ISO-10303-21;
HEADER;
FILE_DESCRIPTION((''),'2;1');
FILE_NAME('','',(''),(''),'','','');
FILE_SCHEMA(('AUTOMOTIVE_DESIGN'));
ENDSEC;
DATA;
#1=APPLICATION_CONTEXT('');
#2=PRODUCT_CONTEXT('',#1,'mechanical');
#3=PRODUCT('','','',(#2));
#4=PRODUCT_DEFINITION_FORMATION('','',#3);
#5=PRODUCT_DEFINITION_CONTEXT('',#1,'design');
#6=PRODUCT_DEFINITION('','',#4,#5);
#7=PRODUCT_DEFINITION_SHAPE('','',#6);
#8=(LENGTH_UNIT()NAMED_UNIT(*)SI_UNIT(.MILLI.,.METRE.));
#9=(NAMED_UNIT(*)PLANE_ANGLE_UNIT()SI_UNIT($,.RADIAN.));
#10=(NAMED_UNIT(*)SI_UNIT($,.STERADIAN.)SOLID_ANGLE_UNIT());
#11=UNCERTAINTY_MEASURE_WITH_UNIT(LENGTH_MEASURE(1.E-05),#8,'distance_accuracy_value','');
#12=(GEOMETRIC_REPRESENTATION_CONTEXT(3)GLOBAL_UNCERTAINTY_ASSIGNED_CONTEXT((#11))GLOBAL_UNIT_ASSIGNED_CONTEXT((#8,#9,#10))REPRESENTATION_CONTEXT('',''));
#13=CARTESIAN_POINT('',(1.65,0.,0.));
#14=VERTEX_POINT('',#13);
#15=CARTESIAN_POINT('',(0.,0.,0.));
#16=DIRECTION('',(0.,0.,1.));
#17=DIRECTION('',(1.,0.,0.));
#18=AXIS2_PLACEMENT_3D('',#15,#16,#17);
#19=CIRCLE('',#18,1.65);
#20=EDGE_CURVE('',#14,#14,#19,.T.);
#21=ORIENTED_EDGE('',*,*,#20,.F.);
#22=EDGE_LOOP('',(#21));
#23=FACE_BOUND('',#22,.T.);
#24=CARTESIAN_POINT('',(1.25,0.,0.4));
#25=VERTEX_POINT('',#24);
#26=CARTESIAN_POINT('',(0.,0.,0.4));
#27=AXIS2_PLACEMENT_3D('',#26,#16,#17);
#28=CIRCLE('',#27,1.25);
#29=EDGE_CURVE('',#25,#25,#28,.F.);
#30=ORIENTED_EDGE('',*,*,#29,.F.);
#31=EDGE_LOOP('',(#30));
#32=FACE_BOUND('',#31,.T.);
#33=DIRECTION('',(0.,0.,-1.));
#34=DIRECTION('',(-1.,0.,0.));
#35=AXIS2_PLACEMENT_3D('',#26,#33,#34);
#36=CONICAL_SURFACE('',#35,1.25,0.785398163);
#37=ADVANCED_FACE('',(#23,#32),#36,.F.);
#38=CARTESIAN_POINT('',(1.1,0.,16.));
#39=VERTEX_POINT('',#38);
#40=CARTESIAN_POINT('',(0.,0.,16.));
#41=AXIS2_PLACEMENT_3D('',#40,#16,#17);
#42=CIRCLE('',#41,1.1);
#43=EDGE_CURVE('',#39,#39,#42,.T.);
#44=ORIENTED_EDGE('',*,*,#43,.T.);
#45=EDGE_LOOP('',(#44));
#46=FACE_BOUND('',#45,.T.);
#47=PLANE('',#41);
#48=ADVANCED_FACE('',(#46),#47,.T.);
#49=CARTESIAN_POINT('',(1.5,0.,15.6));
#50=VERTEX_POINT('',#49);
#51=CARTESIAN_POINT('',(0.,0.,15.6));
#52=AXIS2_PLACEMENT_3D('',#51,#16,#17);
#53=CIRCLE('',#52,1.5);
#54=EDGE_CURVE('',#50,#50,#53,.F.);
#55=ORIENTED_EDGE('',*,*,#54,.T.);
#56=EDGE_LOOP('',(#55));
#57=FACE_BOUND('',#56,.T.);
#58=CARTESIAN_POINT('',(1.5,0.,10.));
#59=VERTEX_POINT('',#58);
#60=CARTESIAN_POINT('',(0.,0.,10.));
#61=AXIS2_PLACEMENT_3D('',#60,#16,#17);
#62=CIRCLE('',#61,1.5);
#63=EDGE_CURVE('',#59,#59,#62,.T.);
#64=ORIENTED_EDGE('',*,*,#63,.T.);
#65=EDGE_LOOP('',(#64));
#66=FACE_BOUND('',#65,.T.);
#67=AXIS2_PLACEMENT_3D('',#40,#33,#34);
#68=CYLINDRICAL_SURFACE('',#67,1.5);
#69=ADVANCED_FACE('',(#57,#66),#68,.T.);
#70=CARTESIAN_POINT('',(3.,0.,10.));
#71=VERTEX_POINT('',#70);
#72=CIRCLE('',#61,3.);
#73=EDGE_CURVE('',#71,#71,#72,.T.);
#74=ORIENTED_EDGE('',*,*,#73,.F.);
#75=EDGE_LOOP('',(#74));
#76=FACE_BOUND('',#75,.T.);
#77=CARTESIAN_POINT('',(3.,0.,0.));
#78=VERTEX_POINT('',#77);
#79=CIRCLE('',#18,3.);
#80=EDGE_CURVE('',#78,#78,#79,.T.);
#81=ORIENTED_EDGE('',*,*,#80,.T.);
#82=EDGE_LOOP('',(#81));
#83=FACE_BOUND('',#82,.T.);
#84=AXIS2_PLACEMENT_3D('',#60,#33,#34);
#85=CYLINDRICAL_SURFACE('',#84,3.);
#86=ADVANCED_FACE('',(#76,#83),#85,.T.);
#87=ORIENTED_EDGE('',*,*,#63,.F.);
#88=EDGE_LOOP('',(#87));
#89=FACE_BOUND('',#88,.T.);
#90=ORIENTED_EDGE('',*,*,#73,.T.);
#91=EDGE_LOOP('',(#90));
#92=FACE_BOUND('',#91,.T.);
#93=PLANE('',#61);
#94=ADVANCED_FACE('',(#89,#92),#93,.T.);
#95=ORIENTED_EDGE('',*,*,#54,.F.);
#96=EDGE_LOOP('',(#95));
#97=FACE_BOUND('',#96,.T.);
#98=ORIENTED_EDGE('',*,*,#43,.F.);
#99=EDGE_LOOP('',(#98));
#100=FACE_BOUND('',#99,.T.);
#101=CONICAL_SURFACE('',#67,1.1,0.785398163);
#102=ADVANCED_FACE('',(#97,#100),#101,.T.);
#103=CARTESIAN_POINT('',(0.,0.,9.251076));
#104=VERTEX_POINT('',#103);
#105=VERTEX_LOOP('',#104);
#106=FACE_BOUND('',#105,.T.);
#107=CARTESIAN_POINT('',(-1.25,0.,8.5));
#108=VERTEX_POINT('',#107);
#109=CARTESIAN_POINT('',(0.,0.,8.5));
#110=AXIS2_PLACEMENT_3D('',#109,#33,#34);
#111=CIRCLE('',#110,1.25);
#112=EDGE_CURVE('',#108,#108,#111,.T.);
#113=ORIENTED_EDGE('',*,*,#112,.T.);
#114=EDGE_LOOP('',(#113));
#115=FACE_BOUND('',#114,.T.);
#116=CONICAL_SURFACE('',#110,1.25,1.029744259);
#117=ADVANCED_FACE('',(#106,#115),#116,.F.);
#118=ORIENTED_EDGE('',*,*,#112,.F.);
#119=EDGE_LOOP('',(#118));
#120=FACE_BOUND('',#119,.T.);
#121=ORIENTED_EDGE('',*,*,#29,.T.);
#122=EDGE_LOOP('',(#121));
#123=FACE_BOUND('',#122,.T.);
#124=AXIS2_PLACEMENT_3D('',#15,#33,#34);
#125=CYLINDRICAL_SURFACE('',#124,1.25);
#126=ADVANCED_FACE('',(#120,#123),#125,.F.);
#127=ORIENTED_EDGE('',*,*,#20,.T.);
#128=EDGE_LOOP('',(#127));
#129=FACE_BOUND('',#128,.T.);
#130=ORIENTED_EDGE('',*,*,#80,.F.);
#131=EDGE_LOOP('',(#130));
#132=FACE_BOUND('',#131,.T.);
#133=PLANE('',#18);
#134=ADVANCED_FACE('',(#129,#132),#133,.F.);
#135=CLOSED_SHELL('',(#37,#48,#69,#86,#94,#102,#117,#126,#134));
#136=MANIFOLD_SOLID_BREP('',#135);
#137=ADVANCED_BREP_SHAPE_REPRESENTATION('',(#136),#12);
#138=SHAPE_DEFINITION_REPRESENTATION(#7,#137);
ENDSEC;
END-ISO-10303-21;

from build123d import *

# Parameters (mm, degrees)
SKETCH_1_R      = 3
EXTRUDE_1_DEPTH = 10
SKETCH_2_R      = 1.5
EXTRUDE_2_DEPTH = 6
M3X0_5_1_D      = 2.5
M3X0_5_1_DEPTH  = 8.5
M3X0_5_1_TIP    = 0.751075774
CHAMFER_1_SIZE  = 0.4


with BuildPart() as part:
    # ｽｹｯﾁ1 → ﾎﾞｽ - 押し出し1 (new body)
    with BuildSketch(Plane(origin=(0, 0, 0), x_dir=(0, 1, 0), z_dir=(0, 0, 1))):
        Circle(SKETCH_1_R)
    extrude(amount=EXTRUDE_1_DEPTH)

    # ｽｹｯﾁ2 → ﾎﾞｽ - 押し出し2 (add)
    with BuildSketch(Plane.XY.offset(10)):
        Circle(SKETCH_2_R)
    extrude(amount=EXTRUDE_2_DEPTH)

    # M3x0.5 ねじ穴1
    with Locations(Plane(origin=(0, 0, 0), x_dir=(1, 0, 0), z_dir=(0, 0, -1))):
        with Locations((0, 0)):
            Hole(M3X0_5_1_D / 2, depth=M3X0_5_1_DEPTH)
            with Locations((0, 0, -(M3X0_5_1_DEPTH + M3X0_5_1_TIP / 2))):  # 118° drill point
                Cone(0, M3X0_5_1_D / 2, M3X0_5_1_TIP, mode=Mode.SUBTRACT)

    # 面取り1
    chamfer_1_edges = [part.edges().sort_by_distance(p)[0] for p in [
        (1.25, 0, 0),
        (-1.5, 0, 16),
    ]]
    chamfer(chamfer_1_edges, length=CHAMFER_1_SIZE)


solid = part.part
